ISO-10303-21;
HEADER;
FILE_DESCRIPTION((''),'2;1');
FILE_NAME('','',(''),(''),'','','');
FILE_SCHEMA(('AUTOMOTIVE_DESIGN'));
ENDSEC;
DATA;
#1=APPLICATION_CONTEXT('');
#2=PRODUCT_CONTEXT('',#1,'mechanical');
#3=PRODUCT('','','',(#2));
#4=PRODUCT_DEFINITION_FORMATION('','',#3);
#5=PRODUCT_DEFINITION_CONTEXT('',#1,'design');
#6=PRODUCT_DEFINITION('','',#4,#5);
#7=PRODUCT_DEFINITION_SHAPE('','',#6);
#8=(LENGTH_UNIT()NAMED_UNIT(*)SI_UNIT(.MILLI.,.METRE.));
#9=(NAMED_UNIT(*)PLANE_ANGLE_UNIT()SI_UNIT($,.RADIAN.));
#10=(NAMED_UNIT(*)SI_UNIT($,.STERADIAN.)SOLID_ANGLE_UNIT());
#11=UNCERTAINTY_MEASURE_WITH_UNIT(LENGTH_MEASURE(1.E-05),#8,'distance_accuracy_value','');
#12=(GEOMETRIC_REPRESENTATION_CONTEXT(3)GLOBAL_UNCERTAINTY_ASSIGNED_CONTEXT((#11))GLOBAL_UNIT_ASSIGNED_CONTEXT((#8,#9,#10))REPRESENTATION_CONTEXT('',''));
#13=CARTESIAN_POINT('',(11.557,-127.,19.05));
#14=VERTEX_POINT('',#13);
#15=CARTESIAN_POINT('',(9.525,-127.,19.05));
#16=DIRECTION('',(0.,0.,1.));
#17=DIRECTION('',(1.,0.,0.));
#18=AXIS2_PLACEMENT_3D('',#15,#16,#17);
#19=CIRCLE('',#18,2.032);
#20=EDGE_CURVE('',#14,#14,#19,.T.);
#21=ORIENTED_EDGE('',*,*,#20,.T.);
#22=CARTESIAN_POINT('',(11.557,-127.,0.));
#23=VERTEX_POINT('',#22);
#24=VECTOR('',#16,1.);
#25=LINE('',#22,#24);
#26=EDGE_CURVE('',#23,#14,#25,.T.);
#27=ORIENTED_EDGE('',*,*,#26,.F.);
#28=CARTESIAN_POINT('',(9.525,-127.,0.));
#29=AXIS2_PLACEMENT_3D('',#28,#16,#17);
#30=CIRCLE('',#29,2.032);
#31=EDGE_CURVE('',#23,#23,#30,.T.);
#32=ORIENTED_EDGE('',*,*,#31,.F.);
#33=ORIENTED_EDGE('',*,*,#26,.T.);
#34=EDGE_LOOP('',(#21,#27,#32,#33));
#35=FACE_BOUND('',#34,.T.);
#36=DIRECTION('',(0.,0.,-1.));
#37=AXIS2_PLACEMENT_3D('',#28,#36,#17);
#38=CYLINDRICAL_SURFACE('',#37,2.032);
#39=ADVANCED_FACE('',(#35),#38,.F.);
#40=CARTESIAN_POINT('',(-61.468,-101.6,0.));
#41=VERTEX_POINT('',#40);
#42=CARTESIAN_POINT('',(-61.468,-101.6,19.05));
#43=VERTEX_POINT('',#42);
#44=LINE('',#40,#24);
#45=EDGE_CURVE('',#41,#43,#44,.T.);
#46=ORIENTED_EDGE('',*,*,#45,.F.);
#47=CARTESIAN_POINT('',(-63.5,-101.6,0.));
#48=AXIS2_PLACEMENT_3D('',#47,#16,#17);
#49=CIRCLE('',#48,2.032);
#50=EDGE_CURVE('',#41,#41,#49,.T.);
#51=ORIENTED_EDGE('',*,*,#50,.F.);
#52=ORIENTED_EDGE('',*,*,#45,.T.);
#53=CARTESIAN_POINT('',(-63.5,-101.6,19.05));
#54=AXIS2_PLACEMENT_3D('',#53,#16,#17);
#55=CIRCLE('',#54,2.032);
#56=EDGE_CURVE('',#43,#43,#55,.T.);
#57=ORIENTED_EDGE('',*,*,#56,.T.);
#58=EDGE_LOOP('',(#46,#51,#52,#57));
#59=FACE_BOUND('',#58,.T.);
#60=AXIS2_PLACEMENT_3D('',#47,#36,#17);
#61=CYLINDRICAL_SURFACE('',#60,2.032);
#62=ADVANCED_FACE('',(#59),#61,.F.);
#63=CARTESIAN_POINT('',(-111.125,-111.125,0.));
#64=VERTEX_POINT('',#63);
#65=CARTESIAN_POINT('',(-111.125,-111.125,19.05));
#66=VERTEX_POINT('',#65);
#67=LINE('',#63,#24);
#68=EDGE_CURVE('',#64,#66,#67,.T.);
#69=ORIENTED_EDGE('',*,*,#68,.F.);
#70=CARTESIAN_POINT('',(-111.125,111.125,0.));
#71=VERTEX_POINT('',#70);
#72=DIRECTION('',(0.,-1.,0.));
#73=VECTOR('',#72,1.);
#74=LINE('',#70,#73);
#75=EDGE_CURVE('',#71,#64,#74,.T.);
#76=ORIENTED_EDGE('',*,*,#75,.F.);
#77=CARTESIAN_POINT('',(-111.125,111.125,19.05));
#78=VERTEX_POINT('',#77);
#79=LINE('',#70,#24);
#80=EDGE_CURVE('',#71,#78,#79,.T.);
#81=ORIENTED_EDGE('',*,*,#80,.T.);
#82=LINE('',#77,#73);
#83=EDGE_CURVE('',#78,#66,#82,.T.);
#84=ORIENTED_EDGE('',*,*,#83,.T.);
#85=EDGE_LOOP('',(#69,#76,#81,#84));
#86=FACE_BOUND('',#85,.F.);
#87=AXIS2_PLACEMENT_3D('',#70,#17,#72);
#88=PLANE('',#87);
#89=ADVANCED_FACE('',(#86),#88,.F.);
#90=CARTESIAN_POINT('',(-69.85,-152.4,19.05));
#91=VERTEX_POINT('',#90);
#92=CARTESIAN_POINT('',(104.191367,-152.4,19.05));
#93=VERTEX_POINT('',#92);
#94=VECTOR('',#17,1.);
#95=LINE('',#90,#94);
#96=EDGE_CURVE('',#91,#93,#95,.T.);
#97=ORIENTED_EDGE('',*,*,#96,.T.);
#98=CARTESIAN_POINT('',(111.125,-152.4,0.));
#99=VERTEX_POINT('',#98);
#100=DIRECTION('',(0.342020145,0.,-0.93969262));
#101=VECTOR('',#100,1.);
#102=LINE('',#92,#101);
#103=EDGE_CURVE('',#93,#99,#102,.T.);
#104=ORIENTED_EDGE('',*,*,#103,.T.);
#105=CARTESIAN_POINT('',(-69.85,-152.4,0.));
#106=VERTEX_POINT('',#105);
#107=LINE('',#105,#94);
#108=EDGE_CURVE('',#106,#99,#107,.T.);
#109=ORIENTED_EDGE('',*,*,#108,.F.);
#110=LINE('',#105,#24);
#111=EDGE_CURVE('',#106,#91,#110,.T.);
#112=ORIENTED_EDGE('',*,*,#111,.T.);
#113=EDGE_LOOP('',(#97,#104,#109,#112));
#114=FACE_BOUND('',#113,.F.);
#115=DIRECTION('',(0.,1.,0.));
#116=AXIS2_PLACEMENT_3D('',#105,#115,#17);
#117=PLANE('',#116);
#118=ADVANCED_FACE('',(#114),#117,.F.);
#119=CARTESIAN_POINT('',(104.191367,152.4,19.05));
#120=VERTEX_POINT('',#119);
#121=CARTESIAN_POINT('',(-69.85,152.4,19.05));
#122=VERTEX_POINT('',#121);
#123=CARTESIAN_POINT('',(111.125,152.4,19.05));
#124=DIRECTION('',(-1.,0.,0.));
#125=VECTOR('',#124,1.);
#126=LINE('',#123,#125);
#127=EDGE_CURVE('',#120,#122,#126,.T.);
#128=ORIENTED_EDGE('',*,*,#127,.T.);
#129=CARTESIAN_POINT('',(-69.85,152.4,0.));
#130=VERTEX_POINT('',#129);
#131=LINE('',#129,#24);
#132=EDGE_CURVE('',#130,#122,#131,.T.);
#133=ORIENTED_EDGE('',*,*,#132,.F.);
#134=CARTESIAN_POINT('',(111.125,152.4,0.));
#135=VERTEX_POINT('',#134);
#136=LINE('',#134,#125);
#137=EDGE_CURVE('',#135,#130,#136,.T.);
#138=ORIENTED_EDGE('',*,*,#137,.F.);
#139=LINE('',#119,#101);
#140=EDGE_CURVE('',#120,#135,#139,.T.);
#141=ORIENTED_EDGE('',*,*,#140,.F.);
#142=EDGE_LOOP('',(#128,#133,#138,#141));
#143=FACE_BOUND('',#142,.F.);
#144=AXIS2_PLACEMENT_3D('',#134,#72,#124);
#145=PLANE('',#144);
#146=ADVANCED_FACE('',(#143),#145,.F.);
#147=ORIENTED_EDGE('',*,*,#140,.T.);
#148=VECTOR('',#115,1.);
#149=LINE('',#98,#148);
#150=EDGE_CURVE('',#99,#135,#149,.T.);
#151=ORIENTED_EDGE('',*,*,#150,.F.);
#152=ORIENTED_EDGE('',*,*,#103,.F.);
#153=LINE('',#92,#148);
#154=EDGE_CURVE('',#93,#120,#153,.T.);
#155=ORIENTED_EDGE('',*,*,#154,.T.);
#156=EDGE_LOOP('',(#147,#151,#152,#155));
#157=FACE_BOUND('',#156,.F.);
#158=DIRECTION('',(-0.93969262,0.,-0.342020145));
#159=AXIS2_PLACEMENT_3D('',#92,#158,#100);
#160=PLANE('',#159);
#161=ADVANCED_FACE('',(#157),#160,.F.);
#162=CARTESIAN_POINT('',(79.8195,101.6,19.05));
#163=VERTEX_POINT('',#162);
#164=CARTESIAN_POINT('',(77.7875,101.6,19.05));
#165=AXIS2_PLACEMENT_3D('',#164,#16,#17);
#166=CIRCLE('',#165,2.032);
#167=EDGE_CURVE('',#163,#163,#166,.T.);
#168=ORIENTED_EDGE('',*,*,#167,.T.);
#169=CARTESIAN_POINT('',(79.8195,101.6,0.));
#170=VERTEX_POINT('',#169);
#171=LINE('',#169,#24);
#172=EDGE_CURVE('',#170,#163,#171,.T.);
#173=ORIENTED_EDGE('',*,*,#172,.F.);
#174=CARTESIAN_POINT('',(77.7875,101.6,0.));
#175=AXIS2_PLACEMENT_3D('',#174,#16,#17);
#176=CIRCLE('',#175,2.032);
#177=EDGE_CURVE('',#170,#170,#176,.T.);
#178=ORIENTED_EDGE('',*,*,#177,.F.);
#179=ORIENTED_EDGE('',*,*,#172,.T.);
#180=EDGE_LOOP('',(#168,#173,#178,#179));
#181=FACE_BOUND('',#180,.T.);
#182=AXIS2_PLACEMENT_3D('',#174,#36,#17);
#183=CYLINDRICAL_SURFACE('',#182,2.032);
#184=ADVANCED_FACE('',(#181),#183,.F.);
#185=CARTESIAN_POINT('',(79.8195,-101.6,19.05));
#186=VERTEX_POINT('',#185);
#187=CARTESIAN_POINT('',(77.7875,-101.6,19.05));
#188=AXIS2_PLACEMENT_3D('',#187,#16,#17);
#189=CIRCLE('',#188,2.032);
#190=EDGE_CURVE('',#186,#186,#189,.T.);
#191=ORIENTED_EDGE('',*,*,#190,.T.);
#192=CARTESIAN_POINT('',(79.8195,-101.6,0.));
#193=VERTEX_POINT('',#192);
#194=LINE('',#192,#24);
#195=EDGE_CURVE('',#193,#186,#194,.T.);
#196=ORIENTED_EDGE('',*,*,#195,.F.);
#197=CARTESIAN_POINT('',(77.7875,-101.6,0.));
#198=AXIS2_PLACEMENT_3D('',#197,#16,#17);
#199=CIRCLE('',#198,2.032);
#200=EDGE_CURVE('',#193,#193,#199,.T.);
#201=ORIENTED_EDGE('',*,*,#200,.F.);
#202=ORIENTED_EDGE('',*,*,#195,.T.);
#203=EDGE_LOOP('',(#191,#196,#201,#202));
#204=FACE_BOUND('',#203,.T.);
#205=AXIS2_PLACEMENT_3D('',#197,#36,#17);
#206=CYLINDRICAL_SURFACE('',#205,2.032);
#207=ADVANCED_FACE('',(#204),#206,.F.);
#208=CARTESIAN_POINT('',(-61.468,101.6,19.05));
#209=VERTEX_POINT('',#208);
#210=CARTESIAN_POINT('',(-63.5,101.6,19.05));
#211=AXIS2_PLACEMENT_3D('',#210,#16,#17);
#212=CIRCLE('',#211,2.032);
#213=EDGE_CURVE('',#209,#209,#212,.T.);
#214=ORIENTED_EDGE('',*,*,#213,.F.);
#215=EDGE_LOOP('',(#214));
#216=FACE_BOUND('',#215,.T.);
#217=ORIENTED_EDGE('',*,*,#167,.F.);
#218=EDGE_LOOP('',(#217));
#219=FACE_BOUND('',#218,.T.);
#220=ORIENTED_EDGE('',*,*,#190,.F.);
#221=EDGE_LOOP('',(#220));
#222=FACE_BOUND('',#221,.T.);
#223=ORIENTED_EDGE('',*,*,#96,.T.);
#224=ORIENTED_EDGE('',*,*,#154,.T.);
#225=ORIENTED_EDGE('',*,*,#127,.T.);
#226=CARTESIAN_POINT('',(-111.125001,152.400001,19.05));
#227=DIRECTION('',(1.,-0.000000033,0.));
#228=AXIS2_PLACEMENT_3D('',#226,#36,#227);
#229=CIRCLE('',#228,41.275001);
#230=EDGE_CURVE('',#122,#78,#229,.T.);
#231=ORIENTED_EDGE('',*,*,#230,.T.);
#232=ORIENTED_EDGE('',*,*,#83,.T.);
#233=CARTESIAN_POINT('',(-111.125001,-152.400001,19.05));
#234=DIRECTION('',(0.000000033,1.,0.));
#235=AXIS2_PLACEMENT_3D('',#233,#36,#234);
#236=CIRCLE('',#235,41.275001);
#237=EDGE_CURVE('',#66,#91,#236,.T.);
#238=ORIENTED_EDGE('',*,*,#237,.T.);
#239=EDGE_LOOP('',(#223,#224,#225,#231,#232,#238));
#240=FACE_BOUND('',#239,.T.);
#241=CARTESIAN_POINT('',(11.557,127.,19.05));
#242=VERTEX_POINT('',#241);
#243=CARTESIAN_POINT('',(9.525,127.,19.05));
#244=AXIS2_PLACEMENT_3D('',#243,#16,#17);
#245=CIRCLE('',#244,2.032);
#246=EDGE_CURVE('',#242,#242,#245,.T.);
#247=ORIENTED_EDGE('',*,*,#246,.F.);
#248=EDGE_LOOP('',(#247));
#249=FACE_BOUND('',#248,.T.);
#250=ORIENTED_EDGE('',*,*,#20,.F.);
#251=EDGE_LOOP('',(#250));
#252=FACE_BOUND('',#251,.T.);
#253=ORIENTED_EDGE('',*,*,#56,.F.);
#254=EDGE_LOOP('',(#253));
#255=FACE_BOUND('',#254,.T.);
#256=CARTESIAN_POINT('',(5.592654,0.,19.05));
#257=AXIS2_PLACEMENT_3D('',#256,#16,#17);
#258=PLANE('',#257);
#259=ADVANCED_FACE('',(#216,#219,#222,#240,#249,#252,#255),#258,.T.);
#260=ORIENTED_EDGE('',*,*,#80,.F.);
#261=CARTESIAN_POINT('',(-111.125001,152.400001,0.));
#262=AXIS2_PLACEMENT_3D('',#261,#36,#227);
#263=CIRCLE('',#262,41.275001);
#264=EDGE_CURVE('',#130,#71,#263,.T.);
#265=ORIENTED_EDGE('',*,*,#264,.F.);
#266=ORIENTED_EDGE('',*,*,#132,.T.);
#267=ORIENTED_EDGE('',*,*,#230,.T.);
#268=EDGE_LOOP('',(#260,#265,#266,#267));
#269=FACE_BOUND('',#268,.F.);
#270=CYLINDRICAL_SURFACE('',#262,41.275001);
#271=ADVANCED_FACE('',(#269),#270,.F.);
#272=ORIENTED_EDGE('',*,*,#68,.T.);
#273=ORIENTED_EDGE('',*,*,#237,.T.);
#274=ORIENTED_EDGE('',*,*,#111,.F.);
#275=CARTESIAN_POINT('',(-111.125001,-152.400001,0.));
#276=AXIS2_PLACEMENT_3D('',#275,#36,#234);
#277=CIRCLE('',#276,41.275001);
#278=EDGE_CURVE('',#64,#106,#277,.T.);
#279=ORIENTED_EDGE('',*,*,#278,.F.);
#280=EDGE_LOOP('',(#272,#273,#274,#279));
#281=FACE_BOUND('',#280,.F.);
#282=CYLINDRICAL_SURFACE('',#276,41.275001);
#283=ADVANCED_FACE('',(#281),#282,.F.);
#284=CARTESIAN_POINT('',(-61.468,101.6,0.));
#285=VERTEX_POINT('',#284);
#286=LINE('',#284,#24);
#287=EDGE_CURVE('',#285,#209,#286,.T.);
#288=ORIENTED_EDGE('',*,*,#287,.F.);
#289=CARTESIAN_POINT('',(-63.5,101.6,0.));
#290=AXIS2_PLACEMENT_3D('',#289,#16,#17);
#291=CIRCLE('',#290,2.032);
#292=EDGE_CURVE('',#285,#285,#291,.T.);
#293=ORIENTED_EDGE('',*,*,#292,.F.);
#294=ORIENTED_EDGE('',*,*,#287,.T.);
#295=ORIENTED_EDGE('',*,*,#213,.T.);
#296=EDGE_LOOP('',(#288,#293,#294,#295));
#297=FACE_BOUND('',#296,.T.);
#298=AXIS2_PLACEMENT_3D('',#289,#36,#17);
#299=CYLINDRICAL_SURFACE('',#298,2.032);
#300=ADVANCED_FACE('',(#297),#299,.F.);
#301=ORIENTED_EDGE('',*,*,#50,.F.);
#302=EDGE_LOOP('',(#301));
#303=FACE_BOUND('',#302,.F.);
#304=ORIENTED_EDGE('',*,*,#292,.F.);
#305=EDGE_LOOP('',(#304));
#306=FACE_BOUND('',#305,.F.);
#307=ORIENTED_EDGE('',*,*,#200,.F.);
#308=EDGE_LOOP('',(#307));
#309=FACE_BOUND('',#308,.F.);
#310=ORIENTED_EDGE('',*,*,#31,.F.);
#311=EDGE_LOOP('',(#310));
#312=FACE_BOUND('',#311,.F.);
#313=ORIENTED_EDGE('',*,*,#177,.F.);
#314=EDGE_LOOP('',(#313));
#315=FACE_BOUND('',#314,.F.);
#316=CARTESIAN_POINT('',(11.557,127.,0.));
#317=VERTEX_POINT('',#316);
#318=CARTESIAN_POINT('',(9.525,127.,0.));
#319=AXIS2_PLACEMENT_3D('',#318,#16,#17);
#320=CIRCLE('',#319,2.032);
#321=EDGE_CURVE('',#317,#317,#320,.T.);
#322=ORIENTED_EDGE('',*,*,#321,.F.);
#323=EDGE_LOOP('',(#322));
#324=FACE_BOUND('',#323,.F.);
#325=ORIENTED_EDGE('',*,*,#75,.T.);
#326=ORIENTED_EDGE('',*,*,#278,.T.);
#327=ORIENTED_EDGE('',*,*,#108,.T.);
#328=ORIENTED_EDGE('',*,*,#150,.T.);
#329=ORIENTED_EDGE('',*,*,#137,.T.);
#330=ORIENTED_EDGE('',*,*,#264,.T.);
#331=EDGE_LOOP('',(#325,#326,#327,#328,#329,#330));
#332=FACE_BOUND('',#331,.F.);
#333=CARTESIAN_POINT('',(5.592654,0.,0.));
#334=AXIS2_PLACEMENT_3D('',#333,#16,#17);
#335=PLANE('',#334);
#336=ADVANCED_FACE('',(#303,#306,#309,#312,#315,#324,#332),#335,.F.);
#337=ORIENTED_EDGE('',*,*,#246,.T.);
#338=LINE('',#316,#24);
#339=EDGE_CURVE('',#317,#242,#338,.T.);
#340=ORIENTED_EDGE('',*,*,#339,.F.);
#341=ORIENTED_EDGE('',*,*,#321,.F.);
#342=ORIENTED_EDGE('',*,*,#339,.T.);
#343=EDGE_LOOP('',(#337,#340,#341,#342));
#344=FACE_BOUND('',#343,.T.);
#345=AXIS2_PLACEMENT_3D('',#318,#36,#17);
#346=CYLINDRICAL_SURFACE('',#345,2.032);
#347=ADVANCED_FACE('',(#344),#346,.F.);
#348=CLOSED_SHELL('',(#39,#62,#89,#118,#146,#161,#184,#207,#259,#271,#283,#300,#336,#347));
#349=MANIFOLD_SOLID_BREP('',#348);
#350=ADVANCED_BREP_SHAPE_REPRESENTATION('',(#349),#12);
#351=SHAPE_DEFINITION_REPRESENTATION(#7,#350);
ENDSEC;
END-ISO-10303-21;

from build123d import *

# Parameters (mm, degrees)
F0_R     = 2.032
F1_DEPTH = 19.05
F3_DEPTH = 304.8


with BuildPart() as f1:
    # F0 (on Top) → F1 (new body)
    with BuildSketch(Plane.XY):
        with BuildLine():
            Line((111.125, 152.4), (-69.85, 152.4))
            ThreePointArc((-69.85, 152.4), (-81.939168, 123.214168), (-111.125, 111.125))
            Line((-111.125, 111.125), (-111.125, -111.125))
            ThreePointArc((-111.125, -111.125), (-81.939168, -123.214168), (-69.85, -152.4))
            Line((-69.85, -152.4), (111.125, -152.4))
            Line((111.125, -152.4), (111.125, 152.4))
        make_face()
        with Locations((-63.5, -101.6)):
            Circle(F0_R, mode=Mode.SUBTRACT)
        with Locations((9.525, -127)):
            Circle(F0_R, mode=Mode.SUBTRACT)
        with Locations((77.7875, -101.6)):
            Circle(F0_R, mode=Mode.SUBTRACT)
        with Locations((-63.5, 101.6)):
            Circle(F0_R, mode=Mode.SUBTRACT)
        with Locations((9.525, 127)):
            Circle(F0_R, mode=Mode.SUBTRACT)
        with Locations((77.7875, 101.6)):
            Circle(F0_R, mode=Mode.SUBTRACT)
    extrude(amount=F1_DEPTH)

    # F2 (on face) → F3 (cut, through all)
    with BuildSketch(Plane.XZ.offset(152.4)):
        Polygon((111.125, 0), (111.125, 19.05), (104.191367, 19.05), align=None)
    extrude(amount=-F3_DEPTH, mode=Mode.SUBTRACT)


solid = f1.part
